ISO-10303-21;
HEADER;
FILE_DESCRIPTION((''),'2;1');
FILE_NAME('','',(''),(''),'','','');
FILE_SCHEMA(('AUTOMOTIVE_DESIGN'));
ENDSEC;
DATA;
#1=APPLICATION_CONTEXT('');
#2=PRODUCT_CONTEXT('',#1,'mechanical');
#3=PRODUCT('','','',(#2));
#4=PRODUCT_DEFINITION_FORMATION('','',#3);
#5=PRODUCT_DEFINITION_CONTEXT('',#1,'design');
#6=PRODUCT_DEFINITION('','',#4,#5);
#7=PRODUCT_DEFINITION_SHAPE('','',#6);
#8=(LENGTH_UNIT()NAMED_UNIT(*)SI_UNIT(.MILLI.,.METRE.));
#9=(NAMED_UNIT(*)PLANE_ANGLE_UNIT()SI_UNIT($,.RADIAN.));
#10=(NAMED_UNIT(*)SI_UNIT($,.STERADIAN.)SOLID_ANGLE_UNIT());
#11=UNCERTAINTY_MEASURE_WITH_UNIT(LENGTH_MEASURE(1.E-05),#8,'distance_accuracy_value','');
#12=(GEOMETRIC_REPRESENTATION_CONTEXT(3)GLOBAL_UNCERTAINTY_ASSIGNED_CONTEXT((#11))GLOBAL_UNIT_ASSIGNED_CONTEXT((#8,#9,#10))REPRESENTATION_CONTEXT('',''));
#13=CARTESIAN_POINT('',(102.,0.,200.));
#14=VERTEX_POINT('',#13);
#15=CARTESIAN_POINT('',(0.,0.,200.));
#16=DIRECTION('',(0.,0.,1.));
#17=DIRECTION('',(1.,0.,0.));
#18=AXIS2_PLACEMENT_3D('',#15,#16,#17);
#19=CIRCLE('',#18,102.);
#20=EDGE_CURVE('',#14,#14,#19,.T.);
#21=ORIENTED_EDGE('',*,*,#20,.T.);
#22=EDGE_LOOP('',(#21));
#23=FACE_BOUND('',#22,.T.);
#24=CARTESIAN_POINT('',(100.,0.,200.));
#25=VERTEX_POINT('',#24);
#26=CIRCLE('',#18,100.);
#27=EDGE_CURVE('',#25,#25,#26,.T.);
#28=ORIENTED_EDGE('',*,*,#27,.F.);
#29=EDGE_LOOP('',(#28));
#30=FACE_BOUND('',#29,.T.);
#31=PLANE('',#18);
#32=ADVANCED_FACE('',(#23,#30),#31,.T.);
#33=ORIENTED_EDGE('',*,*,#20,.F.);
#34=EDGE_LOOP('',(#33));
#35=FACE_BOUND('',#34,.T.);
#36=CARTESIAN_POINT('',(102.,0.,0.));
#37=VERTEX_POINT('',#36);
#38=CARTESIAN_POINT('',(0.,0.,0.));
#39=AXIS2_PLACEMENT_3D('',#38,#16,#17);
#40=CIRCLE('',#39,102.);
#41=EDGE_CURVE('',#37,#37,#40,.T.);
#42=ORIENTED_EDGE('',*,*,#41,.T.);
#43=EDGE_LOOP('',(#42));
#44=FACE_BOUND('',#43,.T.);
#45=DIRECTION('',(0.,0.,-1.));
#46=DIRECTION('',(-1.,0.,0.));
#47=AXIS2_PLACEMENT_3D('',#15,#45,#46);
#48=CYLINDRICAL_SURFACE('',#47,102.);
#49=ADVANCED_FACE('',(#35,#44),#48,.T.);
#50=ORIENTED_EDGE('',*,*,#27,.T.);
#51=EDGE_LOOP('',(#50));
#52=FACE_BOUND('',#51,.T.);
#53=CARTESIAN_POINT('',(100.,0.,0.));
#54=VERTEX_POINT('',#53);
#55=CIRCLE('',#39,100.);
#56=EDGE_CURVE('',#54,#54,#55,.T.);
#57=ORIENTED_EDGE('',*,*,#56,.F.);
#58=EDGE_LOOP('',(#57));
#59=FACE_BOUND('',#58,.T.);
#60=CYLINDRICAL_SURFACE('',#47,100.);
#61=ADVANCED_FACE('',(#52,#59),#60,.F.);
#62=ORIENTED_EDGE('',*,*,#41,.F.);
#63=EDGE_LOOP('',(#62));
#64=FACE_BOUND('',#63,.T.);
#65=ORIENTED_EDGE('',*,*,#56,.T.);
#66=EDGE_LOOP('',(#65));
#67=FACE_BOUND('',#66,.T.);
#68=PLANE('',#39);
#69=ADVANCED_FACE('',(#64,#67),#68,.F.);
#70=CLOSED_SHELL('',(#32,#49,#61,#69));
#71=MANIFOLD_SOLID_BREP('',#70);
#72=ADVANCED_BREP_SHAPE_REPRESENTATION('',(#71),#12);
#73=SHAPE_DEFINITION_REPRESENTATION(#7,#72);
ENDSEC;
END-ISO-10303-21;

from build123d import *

# Parameters (mm, degrees)
SKETCH_1_R      = 102
SKETCH_1_R_2    = 100
EXTRUDE_1_DEPTH = 200


with BuildPart() as part:
    # Эскиз1 → Вытянуть-Тонкостенный1 (new body)
    with BuildSketch(Plane.XY):
        Circle(SKETCH_1_R)
        Circle(SKETCH_1_R_2, mode=Mode.SUBTRACT)
    extrude(amount=EXTRUDE_1_DEPTH)


solid = part.part
